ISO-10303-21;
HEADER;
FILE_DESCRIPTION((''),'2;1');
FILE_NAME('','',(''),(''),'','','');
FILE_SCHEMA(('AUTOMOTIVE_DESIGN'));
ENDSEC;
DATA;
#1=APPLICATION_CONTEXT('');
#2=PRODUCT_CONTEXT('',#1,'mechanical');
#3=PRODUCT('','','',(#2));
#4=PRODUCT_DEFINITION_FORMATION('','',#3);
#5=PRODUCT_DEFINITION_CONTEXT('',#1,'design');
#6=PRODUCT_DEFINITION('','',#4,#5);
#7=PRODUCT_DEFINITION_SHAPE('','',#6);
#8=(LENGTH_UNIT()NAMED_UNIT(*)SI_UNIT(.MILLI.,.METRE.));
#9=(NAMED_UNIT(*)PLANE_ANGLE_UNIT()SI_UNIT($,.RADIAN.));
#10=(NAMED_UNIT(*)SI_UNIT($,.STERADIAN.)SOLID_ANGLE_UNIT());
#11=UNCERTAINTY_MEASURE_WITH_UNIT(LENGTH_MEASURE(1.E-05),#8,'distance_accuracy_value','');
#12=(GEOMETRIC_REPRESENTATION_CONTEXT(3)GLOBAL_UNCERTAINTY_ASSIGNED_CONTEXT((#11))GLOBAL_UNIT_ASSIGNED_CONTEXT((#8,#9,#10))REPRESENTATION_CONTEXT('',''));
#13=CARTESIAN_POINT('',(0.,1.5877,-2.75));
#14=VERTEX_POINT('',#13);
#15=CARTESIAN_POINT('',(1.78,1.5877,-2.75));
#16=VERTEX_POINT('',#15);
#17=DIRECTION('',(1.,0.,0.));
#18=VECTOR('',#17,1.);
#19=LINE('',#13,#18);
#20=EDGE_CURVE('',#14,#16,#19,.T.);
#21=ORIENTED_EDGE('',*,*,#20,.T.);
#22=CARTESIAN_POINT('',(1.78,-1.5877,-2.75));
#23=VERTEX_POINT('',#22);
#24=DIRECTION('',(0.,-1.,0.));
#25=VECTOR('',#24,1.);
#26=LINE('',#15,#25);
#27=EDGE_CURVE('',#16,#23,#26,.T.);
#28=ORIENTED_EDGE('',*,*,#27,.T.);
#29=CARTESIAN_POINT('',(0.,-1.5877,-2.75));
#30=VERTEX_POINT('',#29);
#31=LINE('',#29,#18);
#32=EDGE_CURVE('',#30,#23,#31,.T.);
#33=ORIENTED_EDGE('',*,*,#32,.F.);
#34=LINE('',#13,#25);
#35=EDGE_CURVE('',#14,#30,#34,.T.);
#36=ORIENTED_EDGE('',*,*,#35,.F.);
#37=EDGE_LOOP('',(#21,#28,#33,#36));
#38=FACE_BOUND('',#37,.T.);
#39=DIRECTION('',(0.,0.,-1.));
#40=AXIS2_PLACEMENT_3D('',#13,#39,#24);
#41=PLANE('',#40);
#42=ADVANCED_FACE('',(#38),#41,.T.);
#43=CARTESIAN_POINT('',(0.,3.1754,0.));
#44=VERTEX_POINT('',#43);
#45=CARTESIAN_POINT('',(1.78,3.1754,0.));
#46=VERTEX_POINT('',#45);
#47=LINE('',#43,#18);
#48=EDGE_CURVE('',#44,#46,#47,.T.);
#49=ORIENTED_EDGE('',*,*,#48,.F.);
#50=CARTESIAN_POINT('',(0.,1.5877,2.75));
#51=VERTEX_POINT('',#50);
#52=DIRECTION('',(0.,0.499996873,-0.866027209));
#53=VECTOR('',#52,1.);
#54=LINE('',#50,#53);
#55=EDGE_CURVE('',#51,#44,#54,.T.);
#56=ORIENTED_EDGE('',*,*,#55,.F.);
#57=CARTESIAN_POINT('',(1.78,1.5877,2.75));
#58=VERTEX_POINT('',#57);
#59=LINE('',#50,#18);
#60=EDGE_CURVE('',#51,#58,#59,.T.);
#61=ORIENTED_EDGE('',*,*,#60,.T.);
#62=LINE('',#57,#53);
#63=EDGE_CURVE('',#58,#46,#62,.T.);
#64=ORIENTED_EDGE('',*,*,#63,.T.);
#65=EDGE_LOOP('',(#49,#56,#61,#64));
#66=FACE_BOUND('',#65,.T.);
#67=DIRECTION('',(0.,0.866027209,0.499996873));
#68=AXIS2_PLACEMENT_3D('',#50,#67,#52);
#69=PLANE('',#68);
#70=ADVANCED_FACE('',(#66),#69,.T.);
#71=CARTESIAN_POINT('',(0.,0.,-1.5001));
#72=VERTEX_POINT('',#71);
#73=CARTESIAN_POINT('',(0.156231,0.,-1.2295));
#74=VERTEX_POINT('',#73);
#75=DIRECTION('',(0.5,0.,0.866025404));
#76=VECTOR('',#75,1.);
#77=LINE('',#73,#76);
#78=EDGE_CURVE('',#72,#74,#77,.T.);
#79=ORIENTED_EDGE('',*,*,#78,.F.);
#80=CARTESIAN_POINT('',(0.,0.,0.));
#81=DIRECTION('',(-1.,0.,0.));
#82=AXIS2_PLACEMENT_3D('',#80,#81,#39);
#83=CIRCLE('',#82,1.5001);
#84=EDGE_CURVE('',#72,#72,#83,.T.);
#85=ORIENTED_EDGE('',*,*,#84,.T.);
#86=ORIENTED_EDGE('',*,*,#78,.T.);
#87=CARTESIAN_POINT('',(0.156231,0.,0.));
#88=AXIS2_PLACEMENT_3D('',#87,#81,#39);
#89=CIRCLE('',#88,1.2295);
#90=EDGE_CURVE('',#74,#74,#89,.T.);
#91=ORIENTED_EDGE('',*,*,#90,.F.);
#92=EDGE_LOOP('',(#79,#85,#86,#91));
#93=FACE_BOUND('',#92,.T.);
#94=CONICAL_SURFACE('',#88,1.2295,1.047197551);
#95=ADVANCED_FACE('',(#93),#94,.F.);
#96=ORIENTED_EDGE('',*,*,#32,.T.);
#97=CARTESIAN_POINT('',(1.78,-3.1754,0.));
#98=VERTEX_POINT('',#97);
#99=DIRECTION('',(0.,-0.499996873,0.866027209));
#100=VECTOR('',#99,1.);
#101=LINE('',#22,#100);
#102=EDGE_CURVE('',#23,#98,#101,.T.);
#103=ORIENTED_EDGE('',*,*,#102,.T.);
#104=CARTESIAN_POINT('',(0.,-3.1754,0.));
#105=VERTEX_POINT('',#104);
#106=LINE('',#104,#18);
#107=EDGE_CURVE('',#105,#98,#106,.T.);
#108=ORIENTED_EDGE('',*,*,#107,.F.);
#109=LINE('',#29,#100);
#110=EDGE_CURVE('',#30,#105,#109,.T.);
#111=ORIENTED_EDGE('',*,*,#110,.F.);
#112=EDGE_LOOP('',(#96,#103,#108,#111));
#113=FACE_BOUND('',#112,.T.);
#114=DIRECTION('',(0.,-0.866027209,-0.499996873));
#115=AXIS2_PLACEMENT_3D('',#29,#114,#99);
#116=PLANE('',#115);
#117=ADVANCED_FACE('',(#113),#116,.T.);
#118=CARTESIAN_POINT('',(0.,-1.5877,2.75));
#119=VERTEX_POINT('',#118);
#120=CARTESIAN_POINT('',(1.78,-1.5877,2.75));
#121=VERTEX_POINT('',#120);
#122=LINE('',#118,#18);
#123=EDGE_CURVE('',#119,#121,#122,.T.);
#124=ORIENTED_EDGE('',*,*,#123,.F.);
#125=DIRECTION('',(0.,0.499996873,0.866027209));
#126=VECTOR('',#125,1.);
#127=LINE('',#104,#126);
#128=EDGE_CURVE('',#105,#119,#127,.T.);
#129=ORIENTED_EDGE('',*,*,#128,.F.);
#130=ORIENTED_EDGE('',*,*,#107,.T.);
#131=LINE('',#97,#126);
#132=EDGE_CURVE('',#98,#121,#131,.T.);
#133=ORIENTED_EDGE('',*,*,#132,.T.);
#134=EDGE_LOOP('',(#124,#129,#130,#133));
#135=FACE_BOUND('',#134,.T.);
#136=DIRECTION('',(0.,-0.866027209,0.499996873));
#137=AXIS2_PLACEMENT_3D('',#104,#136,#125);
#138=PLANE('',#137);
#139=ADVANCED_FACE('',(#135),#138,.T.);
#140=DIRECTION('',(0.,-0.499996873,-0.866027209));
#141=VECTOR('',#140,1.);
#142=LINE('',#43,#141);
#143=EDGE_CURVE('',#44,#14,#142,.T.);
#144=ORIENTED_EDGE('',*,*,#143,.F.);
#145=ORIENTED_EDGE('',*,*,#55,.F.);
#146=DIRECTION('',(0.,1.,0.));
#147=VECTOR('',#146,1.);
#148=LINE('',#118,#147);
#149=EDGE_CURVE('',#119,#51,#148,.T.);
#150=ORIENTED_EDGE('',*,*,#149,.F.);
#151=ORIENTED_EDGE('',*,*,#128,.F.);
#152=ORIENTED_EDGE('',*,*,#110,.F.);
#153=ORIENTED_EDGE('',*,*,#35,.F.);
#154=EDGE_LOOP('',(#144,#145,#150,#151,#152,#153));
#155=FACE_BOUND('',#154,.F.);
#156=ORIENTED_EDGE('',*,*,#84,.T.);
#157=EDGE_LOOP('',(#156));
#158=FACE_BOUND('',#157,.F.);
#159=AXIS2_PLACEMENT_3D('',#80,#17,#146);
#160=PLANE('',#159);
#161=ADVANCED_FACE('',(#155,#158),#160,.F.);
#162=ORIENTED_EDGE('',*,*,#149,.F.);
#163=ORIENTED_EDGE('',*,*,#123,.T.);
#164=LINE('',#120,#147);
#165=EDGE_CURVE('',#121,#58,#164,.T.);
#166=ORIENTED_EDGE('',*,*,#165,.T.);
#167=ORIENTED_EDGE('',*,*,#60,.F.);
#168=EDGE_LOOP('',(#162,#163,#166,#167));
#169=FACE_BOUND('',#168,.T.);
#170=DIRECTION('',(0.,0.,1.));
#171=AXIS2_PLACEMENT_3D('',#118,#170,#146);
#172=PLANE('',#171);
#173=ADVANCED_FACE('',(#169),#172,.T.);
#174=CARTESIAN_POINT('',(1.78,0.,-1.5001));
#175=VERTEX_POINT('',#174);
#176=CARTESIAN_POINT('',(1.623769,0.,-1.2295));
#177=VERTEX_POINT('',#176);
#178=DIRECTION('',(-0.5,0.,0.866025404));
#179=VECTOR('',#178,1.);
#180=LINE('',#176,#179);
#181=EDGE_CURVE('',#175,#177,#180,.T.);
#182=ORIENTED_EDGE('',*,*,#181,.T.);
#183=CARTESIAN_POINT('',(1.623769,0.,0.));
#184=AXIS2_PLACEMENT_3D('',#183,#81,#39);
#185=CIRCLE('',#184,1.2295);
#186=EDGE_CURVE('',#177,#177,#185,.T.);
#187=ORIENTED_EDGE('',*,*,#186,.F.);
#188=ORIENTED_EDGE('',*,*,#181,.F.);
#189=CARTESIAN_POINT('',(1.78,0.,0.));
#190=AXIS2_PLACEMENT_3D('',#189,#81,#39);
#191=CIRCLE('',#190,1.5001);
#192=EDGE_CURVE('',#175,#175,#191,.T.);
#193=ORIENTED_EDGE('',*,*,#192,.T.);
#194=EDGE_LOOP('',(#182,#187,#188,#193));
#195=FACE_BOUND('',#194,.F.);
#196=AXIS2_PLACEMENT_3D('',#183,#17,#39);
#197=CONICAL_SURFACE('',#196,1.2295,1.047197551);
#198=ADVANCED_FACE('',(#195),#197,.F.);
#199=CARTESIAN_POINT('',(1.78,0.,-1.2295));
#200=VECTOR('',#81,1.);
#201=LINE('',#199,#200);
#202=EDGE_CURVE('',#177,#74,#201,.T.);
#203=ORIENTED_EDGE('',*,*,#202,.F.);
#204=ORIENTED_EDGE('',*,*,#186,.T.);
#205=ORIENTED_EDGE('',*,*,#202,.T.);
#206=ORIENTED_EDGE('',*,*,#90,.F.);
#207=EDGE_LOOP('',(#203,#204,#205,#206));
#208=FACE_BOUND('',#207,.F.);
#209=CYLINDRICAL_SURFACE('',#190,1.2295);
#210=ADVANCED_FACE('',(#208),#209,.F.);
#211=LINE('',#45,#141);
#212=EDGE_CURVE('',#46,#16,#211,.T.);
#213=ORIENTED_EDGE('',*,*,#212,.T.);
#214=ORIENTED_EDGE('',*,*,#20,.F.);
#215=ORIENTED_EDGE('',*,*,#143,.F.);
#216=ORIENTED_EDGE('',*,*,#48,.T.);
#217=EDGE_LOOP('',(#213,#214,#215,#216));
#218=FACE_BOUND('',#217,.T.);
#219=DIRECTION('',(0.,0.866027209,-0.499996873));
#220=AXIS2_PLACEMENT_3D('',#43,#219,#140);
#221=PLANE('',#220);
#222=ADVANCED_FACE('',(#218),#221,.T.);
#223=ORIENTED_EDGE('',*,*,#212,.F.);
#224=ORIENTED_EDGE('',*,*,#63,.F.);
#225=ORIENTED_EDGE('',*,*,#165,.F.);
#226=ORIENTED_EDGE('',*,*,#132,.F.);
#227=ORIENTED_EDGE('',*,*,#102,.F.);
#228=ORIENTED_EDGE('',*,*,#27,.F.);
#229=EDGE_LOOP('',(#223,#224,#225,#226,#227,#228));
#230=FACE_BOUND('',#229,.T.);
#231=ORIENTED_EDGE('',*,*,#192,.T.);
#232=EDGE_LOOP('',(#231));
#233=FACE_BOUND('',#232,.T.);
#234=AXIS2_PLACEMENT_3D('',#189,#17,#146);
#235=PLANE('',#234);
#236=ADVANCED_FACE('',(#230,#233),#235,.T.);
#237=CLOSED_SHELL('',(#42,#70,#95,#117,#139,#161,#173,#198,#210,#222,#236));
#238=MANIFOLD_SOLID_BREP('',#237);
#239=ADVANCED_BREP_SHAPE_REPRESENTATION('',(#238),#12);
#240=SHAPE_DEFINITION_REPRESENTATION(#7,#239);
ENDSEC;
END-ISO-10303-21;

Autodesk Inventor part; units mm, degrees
ref_plane "YZ Plane" through (0, 0, 0) normal (1, 0, 0) x (0, 1, 0)
ref_plane "XZ Plane" through (0, 0, 0) normal (0, 1, 0) x (-1, 0, 0)
sketch "Sketch1" plane through (0, 0, 0) normal (1, 0, 0) x (0, 1, 0)
  line L0 (1.5877, -2.75) -> (-1.5877, -2.75)
  line L1 (-1.5877, -2.75) -> (-3.1754, 0)
  line L2 (-3.1754, 0) -> (-1.5877, 2.75)
  line L3 (-1.5877, 2.75) -> (1.5877, 2.75)
  line L4 (1.5877, 2.75) -> (3.1754, 0)
  line L5 (3.1754, 0) -> (1.5877, -2.75)
  point P0 (0, 0)
  point P1 (0, 0)
  dimension "d0" = 6.3509
extrude "Body" add sketch "Sketch1" along normal blind 1.78
sketch "Sketch2" plane through (1.78, 0, 0) normal (1, 0, 0) x (0, 0, -1)
  point P0 (0, 0)
hole "Thread" at (1.78, 0, 0) direction (-1, 0, 0) diameter 2.459 end through all thread size "M3x0.5" class "6H" standard "ISO Metric profile"
chamfer "Chamfer2" distance 0.2706 angle 30 1 edges at (1.78, 0, 1.2295) measured on face at (1.78, -1.925, 1.1495)
chamfer "Chamfer1" distance 0.2706 angle 30 1 edges at (0, 0, 1.2295) measured on face at (0, -1.925, 1.1495)
ref_plane "Work Plane1" through (-6.8079, 0, 0) normal (0, 0, -1) x (1, 0, 0)
equation "\"d0\" = 1.1547 * SW"
equation "\"d1\" = KOH"
equation "\"d12\" = -0.5 * GD1 + 0.5 * NND"
equation "\"d19\" = -0.5 * GD1 + 0.5 * NND"
equation "\"d10\" = -0.5 * GD1 + 0.5 * NND"
equation "\"d18\" = -0.5 * GD1 + 0.5 * NND"
equation "\"NND\" = 3"
equation "\"KOH\" = 1.78"
equation "\"SW\" = 5.5"
equation "\"GUL\" = 0.541266 * PTC"
equation "\"THREADDIA\" = 3"
equation "\"TOA\" = 30deg"
equation "\"PTC\" = 0.5"
equation "\"E0\" = 1.155 * SW"
equation "\"GAL\" = 0.541266 * PTC"
equation "\"GD1\" = 2.458734"
properties part number "AS 1474 - M3" material "Steel, Mild"
